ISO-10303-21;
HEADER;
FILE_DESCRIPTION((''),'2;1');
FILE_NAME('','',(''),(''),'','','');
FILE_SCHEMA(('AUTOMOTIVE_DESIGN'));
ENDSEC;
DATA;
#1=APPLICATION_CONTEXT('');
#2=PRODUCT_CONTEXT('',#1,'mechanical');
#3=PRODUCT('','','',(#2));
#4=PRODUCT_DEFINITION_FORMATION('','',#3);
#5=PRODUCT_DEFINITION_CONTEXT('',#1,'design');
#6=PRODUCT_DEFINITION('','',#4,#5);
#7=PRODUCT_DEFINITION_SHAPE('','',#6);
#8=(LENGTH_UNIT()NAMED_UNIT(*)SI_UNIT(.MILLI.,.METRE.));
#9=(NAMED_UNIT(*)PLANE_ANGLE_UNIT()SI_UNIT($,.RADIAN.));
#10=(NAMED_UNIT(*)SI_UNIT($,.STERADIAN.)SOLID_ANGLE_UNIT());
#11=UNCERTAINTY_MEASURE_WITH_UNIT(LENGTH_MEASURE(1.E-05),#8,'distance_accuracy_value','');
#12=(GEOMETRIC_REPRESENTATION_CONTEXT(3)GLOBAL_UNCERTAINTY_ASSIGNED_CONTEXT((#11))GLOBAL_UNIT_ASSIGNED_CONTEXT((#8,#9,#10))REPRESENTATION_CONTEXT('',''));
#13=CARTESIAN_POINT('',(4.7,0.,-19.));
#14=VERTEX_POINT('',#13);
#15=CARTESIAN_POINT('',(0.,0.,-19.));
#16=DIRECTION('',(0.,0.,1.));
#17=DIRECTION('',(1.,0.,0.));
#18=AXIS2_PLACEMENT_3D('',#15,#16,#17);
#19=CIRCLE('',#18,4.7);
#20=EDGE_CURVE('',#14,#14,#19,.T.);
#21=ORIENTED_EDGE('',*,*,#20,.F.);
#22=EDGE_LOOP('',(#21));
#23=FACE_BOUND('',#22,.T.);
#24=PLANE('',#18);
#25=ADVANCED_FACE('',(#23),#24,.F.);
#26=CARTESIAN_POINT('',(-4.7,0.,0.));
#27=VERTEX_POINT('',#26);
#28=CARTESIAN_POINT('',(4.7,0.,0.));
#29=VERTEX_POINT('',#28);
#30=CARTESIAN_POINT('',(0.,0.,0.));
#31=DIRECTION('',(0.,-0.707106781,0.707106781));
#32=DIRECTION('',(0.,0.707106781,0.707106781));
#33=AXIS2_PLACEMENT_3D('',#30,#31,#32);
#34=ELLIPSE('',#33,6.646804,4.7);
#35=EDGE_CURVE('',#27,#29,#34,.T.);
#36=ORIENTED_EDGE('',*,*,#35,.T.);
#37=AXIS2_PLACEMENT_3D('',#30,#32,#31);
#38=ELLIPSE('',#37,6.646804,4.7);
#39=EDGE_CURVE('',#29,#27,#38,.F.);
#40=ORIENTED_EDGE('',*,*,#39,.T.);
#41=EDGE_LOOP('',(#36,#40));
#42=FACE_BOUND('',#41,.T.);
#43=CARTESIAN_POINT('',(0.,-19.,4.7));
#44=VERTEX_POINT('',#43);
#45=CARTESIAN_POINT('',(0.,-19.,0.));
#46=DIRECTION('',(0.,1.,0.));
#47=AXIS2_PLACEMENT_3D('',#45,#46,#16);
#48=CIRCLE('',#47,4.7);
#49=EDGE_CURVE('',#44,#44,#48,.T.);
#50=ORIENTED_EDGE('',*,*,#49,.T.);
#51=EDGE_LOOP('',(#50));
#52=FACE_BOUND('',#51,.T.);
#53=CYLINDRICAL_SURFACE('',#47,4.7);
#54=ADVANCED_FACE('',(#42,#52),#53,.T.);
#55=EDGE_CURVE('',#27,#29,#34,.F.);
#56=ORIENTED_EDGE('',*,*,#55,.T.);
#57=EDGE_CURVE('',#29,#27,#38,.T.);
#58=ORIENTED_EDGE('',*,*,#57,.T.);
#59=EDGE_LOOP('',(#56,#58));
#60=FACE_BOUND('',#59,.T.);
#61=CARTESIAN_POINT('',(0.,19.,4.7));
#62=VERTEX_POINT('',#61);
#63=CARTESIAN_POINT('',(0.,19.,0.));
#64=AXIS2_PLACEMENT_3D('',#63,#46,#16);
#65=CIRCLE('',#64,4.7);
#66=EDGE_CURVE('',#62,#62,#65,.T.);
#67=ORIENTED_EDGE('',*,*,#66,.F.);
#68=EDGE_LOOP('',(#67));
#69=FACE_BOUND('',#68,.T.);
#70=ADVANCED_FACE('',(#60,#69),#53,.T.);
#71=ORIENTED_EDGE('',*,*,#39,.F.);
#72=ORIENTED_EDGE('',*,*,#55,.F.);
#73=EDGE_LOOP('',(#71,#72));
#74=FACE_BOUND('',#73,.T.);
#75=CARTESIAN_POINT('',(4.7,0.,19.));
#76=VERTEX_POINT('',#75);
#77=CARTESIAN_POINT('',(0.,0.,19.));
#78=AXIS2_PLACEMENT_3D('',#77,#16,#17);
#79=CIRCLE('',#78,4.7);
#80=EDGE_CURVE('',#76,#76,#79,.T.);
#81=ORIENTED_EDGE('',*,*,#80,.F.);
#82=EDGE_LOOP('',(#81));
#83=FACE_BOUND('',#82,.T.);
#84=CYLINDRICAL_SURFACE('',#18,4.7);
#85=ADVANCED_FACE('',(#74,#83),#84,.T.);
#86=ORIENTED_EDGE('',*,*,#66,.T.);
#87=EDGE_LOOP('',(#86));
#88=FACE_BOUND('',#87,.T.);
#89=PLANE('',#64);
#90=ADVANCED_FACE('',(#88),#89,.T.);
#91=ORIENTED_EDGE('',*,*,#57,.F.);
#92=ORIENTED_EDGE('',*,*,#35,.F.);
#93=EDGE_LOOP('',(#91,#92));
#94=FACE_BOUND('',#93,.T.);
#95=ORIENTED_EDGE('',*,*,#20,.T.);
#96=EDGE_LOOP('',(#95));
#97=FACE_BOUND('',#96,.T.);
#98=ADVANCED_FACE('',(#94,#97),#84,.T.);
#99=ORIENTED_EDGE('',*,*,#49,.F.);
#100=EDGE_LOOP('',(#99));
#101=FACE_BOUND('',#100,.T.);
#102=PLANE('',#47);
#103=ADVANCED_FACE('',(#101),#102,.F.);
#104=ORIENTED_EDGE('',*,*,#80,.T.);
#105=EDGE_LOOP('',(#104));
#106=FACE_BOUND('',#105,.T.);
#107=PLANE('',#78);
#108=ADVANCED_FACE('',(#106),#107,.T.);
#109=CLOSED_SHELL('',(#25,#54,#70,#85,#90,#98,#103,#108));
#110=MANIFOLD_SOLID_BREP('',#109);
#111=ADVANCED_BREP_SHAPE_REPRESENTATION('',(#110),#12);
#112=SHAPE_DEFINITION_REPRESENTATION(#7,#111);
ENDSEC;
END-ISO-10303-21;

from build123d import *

# Parameters (mm, degrees)
BOSS_EXTRUDE1_DEPTH      = 19
BOSS_EXTRUDE1_DEPTH_BACK = 19
SKETCH1_R                = 4.7
BOSS_EXTRUDE2_DEPTH      = 19
BOSS_EXTRUDE2_DEPTH_BACK = 19
SKETCH2_R                = 4.7


with BuildPart() as part:
    # Sketch1 → Boss-Extrude1 (new, two sides: drawn at the far end of the back side and taken through both)
    with BuildSketch(Plane.XY.offset(-BOSS_EXTRUDE1_DEPTH_BACK)):
        Circle(SKETCH1_R)
    extrude(amount=BOSS_EXTRUDE1_DEPTH + BOSS_EXTRUDE1_DEPTH_BACK)

    # Sketch2 → Boss-Extrude2 (add, two sides: drawn at the far end of the back side and taken through both)
    with BuildSketch(Plane(origin=(0, 0, 0), x_dir=(1, 0, 0), z_dir=(0, 1, 0)).offset(-BOSS_EXTRUDE2_DEPTH_BACK)):
        Circle(SKETCH2_R)
    extrude(amount=BOSS_EXTRUDE2_DEPTH + BOSS_EXTRUDE2_DEPTH_BACK)


solid = part.part
